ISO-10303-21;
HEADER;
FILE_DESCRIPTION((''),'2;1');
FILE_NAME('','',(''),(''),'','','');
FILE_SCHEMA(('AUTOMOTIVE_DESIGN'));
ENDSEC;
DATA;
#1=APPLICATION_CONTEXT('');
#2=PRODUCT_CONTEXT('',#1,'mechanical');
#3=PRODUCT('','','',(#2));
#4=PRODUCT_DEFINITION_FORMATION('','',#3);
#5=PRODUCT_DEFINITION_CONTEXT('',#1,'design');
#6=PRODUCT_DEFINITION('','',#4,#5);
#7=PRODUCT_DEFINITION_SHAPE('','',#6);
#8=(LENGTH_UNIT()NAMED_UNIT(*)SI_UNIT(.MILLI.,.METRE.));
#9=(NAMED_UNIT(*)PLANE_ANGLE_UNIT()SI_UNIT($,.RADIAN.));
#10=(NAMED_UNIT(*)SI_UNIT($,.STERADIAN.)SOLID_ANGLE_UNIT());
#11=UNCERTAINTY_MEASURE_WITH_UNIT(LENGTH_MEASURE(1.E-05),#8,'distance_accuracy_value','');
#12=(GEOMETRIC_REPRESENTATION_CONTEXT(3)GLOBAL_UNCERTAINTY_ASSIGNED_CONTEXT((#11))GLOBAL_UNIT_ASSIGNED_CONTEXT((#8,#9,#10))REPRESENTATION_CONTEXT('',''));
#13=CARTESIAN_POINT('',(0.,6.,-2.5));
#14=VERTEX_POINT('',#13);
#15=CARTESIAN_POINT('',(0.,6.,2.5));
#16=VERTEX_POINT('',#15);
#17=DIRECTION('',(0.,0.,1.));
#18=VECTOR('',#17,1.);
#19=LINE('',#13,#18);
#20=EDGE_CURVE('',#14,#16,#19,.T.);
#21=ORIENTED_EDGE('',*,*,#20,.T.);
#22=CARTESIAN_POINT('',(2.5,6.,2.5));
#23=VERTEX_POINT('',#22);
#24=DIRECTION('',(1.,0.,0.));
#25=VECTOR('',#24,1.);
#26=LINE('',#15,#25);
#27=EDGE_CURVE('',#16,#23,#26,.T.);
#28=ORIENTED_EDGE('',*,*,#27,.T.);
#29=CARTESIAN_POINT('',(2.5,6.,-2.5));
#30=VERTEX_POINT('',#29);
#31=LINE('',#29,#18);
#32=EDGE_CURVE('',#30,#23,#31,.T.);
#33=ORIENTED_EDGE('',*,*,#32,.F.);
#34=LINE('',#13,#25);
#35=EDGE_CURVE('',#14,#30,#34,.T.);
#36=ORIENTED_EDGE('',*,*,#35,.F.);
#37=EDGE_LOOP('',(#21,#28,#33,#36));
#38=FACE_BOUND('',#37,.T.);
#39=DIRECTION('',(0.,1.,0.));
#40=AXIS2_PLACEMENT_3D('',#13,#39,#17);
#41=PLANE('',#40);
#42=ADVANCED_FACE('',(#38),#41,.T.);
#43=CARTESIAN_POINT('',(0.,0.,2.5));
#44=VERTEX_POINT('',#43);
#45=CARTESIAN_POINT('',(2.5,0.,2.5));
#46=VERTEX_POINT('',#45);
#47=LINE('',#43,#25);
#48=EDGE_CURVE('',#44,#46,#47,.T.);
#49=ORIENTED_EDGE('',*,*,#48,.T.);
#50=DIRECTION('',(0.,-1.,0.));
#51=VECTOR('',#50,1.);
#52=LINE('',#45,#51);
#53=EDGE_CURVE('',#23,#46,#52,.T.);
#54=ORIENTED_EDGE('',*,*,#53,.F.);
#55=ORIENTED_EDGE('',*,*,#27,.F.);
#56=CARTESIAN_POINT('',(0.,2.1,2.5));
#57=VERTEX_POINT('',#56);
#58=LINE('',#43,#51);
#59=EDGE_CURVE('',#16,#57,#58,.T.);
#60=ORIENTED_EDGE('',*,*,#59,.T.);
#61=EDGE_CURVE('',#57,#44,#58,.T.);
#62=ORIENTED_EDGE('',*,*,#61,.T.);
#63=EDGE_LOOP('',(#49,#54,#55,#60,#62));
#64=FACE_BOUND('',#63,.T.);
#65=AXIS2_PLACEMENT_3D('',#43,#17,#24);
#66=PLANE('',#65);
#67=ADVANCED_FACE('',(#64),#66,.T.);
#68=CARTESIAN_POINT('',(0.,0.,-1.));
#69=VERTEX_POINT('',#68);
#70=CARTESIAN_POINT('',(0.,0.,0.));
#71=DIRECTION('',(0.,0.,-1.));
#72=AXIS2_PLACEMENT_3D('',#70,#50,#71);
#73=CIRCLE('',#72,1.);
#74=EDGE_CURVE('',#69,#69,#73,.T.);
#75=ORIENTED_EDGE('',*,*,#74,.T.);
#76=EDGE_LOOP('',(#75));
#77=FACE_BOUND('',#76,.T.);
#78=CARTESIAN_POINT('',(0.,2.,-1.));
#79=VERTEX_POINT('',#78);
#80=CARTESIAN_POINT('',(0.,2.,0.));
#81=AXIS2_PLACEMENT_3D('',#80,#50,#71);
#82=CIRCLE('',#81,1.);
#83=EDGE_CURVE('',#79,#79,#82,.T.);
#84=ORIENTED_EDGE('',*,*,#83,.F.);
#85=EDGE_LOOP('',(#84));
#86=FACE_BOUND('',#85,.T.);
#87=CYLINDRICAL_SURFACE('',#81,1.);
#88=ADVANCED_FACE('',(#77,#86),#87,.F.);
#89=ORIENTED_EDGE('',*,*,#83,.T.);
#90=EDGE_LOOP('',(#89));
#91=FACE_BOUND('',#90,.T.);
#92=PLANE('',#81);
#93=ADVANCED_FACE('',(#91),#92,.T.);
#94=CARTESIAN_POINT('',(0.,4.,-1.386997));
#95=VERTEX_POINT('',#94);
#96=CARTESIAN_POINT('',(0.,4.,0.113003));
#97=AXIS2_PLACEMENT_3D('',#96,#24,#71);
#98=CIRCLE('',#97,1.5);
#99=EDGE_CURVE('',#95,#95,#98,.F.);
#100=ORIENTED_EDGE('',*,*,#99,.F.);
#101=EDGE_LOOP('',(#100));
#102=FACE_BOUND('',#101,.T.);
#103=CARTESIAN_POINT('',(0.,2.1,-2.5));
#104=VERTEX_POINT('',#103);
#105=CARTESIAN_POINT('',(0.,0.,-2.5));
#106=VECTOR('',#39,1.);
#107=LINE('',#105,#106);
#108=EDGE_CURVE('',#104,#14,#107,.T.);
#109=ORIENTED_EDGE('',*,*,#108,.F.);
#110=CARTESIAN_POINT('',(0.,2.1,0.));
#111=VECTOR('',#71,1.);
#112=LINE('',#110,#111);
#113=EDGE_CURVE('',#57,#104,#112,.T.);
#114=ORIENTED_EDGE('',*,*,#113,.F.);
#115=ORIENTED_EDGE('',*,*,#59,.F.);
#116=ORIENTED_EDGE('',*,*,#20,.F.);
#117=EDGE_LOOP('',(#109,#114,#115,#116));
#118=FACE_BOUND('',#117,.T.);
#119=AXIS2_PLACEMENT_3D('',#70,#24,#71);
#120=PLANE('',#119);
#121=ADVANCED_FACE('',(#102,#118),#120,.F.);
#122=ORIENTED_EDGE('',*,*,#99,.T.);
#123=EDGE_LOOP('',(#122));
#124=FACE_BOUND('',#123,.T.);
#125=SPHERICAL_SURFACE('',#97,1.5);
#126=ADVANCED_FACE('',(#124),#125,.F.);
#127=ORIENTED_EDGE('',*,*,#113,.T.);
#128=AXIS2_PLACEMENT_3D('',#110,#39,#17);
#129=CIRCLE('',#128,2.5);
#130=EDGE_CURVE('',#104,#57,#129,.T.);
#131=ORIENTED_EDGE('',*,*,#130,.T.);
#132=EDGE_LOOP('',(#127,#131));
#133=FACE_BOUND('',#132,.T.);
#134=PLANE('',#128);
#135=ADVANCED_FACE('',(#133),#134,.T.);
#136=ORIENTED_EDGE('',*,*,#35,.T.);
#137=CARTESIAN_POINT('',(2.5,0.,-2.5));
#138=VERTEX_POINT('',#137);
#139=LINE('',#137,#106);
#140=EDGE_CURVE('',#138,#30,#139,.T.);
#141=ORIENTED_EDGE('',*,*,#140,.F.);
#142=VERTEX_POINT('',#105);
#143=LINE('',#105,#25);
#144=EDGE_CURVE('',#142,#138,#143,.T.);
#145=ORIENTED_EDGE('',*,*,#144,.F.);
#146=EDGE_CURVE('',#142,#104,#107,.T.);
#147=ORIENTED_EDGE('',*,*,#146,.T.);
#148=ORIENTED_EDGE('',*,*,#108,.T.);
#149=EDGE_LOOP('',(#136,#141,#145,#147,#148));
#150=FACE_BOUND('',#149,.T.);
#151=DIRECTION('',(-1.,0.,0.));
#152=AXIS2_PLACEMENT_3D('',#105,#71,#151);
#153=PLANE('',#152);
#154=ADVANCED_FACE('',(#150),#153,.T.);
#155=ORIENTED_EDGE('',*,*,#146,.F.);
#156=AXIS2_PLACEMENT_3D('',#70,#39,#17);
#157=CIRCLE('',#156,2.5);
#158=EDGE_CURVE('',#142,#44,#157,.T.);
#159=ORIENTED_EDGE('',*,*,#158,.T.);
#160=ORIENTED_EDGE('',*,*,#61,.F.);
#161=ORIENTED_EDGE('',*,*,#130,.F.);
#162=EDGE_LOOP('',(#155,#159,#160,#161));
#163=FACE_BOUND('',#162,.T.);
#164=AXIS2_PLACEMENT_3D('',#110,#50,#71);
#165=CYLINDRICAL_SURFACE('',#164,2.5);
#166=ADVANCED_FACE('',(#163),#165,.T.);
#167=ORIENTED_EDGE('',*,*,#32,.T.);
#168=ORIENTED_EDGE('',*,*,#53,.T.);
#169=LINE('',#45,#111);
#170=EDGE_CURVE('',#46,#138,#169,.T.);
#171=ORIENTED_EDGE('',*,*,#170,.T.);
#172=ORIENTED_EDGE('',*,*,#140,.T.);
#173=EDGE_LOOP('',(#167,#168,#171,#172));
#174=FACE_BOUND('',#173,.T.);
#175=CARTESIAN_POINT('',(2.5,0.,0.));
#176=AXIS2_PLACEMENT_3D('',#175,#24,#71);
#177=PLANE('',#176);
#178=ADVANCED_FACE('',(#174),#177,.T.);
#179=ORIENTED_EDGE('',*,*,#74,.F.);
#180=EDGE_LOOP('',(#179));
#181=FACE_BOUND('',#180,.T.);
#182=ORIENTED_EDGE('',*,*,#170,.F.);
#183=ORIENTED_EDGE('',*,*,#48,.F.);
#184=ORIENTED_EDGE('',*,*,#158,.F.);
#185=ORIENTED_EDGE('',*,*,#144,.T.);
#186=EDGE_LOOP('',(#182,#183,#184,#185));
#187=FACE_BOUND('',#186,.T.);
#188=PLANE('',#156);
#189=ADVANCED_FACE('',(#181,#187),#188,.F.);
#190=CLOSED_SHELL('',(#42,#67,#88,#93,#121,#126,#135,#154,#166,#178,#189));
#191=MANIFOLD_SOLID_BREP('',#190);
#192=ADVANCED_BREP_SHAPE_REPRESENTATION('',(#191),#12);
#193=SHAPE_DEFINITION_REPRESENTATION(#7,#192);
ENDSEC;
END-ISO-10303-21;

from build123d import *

# Parameters (mm, degrees)
SKETCH1_R           = 2.5
BOSS_EXTRUDE2_DEPTH = 2.1
SKETCH10_W          = 5
SKETCH10_H          = 6
BOSS_EXTRUDE5_DEPTH = 2.5
SKETCH12_R          = 1
CUT_EXTRUDE1_DEPTH  = 2


with BuildPart() as part:
    # Sketch1 → Boss-Extrude2 (new body)
    with BuildSketch(Plane(origin=(0, 0, 0), x_dir=(1, 0, 0), z_dir=(0, 1, 0))):
        with Locations(Location((0, 0, 0), (0, 0, 270))):
            Circle(SKETCH1_R)
    extrude(amount=BOSS_EXTRUDE2_DEPTH)

    # Sketch10 → Boss-Extrude5 (add)
    with BuildSketch(Plane(origin=(2.5, 0, 0), x_dir=(0, 0, -1), z_dir=(1, 0, 0))):
        with Locations((0, 3)):
            Rectangle(SKETCH10_W, SKETCH10_H)
    extrude(amount=-BOSS_EXTRUDE5_DEPTH)

    # Sketch11 → Cut-Revolve2 (revolve, cut)
    with BuildSketch(Plane.ZY):
        with BuildLine():
            Line((-1.386997153, 4), (1.613002847, 4))
            ThreePointArc((1.613002847, 4), (0.113002847, 5.5), (-1.386997153, 4))
        make_face()
    revolve(axis=Axis((0, 4, -1.386997153), (0, 0, 1)), mode=Mode.SUBTRACT)

    # Sketch12 → Cut-Extrude1 (cut)
    with BuildSketch(Plane.XZ):
        with Locations(Location((0, 0, 0), (0, 0, 270))):
            Circle(SKETCH12_R)
    extrude(amount=-CUT_EXTRUDE1_DEPTH, mode=Mode.SUBTRACT)


solid = part.part
